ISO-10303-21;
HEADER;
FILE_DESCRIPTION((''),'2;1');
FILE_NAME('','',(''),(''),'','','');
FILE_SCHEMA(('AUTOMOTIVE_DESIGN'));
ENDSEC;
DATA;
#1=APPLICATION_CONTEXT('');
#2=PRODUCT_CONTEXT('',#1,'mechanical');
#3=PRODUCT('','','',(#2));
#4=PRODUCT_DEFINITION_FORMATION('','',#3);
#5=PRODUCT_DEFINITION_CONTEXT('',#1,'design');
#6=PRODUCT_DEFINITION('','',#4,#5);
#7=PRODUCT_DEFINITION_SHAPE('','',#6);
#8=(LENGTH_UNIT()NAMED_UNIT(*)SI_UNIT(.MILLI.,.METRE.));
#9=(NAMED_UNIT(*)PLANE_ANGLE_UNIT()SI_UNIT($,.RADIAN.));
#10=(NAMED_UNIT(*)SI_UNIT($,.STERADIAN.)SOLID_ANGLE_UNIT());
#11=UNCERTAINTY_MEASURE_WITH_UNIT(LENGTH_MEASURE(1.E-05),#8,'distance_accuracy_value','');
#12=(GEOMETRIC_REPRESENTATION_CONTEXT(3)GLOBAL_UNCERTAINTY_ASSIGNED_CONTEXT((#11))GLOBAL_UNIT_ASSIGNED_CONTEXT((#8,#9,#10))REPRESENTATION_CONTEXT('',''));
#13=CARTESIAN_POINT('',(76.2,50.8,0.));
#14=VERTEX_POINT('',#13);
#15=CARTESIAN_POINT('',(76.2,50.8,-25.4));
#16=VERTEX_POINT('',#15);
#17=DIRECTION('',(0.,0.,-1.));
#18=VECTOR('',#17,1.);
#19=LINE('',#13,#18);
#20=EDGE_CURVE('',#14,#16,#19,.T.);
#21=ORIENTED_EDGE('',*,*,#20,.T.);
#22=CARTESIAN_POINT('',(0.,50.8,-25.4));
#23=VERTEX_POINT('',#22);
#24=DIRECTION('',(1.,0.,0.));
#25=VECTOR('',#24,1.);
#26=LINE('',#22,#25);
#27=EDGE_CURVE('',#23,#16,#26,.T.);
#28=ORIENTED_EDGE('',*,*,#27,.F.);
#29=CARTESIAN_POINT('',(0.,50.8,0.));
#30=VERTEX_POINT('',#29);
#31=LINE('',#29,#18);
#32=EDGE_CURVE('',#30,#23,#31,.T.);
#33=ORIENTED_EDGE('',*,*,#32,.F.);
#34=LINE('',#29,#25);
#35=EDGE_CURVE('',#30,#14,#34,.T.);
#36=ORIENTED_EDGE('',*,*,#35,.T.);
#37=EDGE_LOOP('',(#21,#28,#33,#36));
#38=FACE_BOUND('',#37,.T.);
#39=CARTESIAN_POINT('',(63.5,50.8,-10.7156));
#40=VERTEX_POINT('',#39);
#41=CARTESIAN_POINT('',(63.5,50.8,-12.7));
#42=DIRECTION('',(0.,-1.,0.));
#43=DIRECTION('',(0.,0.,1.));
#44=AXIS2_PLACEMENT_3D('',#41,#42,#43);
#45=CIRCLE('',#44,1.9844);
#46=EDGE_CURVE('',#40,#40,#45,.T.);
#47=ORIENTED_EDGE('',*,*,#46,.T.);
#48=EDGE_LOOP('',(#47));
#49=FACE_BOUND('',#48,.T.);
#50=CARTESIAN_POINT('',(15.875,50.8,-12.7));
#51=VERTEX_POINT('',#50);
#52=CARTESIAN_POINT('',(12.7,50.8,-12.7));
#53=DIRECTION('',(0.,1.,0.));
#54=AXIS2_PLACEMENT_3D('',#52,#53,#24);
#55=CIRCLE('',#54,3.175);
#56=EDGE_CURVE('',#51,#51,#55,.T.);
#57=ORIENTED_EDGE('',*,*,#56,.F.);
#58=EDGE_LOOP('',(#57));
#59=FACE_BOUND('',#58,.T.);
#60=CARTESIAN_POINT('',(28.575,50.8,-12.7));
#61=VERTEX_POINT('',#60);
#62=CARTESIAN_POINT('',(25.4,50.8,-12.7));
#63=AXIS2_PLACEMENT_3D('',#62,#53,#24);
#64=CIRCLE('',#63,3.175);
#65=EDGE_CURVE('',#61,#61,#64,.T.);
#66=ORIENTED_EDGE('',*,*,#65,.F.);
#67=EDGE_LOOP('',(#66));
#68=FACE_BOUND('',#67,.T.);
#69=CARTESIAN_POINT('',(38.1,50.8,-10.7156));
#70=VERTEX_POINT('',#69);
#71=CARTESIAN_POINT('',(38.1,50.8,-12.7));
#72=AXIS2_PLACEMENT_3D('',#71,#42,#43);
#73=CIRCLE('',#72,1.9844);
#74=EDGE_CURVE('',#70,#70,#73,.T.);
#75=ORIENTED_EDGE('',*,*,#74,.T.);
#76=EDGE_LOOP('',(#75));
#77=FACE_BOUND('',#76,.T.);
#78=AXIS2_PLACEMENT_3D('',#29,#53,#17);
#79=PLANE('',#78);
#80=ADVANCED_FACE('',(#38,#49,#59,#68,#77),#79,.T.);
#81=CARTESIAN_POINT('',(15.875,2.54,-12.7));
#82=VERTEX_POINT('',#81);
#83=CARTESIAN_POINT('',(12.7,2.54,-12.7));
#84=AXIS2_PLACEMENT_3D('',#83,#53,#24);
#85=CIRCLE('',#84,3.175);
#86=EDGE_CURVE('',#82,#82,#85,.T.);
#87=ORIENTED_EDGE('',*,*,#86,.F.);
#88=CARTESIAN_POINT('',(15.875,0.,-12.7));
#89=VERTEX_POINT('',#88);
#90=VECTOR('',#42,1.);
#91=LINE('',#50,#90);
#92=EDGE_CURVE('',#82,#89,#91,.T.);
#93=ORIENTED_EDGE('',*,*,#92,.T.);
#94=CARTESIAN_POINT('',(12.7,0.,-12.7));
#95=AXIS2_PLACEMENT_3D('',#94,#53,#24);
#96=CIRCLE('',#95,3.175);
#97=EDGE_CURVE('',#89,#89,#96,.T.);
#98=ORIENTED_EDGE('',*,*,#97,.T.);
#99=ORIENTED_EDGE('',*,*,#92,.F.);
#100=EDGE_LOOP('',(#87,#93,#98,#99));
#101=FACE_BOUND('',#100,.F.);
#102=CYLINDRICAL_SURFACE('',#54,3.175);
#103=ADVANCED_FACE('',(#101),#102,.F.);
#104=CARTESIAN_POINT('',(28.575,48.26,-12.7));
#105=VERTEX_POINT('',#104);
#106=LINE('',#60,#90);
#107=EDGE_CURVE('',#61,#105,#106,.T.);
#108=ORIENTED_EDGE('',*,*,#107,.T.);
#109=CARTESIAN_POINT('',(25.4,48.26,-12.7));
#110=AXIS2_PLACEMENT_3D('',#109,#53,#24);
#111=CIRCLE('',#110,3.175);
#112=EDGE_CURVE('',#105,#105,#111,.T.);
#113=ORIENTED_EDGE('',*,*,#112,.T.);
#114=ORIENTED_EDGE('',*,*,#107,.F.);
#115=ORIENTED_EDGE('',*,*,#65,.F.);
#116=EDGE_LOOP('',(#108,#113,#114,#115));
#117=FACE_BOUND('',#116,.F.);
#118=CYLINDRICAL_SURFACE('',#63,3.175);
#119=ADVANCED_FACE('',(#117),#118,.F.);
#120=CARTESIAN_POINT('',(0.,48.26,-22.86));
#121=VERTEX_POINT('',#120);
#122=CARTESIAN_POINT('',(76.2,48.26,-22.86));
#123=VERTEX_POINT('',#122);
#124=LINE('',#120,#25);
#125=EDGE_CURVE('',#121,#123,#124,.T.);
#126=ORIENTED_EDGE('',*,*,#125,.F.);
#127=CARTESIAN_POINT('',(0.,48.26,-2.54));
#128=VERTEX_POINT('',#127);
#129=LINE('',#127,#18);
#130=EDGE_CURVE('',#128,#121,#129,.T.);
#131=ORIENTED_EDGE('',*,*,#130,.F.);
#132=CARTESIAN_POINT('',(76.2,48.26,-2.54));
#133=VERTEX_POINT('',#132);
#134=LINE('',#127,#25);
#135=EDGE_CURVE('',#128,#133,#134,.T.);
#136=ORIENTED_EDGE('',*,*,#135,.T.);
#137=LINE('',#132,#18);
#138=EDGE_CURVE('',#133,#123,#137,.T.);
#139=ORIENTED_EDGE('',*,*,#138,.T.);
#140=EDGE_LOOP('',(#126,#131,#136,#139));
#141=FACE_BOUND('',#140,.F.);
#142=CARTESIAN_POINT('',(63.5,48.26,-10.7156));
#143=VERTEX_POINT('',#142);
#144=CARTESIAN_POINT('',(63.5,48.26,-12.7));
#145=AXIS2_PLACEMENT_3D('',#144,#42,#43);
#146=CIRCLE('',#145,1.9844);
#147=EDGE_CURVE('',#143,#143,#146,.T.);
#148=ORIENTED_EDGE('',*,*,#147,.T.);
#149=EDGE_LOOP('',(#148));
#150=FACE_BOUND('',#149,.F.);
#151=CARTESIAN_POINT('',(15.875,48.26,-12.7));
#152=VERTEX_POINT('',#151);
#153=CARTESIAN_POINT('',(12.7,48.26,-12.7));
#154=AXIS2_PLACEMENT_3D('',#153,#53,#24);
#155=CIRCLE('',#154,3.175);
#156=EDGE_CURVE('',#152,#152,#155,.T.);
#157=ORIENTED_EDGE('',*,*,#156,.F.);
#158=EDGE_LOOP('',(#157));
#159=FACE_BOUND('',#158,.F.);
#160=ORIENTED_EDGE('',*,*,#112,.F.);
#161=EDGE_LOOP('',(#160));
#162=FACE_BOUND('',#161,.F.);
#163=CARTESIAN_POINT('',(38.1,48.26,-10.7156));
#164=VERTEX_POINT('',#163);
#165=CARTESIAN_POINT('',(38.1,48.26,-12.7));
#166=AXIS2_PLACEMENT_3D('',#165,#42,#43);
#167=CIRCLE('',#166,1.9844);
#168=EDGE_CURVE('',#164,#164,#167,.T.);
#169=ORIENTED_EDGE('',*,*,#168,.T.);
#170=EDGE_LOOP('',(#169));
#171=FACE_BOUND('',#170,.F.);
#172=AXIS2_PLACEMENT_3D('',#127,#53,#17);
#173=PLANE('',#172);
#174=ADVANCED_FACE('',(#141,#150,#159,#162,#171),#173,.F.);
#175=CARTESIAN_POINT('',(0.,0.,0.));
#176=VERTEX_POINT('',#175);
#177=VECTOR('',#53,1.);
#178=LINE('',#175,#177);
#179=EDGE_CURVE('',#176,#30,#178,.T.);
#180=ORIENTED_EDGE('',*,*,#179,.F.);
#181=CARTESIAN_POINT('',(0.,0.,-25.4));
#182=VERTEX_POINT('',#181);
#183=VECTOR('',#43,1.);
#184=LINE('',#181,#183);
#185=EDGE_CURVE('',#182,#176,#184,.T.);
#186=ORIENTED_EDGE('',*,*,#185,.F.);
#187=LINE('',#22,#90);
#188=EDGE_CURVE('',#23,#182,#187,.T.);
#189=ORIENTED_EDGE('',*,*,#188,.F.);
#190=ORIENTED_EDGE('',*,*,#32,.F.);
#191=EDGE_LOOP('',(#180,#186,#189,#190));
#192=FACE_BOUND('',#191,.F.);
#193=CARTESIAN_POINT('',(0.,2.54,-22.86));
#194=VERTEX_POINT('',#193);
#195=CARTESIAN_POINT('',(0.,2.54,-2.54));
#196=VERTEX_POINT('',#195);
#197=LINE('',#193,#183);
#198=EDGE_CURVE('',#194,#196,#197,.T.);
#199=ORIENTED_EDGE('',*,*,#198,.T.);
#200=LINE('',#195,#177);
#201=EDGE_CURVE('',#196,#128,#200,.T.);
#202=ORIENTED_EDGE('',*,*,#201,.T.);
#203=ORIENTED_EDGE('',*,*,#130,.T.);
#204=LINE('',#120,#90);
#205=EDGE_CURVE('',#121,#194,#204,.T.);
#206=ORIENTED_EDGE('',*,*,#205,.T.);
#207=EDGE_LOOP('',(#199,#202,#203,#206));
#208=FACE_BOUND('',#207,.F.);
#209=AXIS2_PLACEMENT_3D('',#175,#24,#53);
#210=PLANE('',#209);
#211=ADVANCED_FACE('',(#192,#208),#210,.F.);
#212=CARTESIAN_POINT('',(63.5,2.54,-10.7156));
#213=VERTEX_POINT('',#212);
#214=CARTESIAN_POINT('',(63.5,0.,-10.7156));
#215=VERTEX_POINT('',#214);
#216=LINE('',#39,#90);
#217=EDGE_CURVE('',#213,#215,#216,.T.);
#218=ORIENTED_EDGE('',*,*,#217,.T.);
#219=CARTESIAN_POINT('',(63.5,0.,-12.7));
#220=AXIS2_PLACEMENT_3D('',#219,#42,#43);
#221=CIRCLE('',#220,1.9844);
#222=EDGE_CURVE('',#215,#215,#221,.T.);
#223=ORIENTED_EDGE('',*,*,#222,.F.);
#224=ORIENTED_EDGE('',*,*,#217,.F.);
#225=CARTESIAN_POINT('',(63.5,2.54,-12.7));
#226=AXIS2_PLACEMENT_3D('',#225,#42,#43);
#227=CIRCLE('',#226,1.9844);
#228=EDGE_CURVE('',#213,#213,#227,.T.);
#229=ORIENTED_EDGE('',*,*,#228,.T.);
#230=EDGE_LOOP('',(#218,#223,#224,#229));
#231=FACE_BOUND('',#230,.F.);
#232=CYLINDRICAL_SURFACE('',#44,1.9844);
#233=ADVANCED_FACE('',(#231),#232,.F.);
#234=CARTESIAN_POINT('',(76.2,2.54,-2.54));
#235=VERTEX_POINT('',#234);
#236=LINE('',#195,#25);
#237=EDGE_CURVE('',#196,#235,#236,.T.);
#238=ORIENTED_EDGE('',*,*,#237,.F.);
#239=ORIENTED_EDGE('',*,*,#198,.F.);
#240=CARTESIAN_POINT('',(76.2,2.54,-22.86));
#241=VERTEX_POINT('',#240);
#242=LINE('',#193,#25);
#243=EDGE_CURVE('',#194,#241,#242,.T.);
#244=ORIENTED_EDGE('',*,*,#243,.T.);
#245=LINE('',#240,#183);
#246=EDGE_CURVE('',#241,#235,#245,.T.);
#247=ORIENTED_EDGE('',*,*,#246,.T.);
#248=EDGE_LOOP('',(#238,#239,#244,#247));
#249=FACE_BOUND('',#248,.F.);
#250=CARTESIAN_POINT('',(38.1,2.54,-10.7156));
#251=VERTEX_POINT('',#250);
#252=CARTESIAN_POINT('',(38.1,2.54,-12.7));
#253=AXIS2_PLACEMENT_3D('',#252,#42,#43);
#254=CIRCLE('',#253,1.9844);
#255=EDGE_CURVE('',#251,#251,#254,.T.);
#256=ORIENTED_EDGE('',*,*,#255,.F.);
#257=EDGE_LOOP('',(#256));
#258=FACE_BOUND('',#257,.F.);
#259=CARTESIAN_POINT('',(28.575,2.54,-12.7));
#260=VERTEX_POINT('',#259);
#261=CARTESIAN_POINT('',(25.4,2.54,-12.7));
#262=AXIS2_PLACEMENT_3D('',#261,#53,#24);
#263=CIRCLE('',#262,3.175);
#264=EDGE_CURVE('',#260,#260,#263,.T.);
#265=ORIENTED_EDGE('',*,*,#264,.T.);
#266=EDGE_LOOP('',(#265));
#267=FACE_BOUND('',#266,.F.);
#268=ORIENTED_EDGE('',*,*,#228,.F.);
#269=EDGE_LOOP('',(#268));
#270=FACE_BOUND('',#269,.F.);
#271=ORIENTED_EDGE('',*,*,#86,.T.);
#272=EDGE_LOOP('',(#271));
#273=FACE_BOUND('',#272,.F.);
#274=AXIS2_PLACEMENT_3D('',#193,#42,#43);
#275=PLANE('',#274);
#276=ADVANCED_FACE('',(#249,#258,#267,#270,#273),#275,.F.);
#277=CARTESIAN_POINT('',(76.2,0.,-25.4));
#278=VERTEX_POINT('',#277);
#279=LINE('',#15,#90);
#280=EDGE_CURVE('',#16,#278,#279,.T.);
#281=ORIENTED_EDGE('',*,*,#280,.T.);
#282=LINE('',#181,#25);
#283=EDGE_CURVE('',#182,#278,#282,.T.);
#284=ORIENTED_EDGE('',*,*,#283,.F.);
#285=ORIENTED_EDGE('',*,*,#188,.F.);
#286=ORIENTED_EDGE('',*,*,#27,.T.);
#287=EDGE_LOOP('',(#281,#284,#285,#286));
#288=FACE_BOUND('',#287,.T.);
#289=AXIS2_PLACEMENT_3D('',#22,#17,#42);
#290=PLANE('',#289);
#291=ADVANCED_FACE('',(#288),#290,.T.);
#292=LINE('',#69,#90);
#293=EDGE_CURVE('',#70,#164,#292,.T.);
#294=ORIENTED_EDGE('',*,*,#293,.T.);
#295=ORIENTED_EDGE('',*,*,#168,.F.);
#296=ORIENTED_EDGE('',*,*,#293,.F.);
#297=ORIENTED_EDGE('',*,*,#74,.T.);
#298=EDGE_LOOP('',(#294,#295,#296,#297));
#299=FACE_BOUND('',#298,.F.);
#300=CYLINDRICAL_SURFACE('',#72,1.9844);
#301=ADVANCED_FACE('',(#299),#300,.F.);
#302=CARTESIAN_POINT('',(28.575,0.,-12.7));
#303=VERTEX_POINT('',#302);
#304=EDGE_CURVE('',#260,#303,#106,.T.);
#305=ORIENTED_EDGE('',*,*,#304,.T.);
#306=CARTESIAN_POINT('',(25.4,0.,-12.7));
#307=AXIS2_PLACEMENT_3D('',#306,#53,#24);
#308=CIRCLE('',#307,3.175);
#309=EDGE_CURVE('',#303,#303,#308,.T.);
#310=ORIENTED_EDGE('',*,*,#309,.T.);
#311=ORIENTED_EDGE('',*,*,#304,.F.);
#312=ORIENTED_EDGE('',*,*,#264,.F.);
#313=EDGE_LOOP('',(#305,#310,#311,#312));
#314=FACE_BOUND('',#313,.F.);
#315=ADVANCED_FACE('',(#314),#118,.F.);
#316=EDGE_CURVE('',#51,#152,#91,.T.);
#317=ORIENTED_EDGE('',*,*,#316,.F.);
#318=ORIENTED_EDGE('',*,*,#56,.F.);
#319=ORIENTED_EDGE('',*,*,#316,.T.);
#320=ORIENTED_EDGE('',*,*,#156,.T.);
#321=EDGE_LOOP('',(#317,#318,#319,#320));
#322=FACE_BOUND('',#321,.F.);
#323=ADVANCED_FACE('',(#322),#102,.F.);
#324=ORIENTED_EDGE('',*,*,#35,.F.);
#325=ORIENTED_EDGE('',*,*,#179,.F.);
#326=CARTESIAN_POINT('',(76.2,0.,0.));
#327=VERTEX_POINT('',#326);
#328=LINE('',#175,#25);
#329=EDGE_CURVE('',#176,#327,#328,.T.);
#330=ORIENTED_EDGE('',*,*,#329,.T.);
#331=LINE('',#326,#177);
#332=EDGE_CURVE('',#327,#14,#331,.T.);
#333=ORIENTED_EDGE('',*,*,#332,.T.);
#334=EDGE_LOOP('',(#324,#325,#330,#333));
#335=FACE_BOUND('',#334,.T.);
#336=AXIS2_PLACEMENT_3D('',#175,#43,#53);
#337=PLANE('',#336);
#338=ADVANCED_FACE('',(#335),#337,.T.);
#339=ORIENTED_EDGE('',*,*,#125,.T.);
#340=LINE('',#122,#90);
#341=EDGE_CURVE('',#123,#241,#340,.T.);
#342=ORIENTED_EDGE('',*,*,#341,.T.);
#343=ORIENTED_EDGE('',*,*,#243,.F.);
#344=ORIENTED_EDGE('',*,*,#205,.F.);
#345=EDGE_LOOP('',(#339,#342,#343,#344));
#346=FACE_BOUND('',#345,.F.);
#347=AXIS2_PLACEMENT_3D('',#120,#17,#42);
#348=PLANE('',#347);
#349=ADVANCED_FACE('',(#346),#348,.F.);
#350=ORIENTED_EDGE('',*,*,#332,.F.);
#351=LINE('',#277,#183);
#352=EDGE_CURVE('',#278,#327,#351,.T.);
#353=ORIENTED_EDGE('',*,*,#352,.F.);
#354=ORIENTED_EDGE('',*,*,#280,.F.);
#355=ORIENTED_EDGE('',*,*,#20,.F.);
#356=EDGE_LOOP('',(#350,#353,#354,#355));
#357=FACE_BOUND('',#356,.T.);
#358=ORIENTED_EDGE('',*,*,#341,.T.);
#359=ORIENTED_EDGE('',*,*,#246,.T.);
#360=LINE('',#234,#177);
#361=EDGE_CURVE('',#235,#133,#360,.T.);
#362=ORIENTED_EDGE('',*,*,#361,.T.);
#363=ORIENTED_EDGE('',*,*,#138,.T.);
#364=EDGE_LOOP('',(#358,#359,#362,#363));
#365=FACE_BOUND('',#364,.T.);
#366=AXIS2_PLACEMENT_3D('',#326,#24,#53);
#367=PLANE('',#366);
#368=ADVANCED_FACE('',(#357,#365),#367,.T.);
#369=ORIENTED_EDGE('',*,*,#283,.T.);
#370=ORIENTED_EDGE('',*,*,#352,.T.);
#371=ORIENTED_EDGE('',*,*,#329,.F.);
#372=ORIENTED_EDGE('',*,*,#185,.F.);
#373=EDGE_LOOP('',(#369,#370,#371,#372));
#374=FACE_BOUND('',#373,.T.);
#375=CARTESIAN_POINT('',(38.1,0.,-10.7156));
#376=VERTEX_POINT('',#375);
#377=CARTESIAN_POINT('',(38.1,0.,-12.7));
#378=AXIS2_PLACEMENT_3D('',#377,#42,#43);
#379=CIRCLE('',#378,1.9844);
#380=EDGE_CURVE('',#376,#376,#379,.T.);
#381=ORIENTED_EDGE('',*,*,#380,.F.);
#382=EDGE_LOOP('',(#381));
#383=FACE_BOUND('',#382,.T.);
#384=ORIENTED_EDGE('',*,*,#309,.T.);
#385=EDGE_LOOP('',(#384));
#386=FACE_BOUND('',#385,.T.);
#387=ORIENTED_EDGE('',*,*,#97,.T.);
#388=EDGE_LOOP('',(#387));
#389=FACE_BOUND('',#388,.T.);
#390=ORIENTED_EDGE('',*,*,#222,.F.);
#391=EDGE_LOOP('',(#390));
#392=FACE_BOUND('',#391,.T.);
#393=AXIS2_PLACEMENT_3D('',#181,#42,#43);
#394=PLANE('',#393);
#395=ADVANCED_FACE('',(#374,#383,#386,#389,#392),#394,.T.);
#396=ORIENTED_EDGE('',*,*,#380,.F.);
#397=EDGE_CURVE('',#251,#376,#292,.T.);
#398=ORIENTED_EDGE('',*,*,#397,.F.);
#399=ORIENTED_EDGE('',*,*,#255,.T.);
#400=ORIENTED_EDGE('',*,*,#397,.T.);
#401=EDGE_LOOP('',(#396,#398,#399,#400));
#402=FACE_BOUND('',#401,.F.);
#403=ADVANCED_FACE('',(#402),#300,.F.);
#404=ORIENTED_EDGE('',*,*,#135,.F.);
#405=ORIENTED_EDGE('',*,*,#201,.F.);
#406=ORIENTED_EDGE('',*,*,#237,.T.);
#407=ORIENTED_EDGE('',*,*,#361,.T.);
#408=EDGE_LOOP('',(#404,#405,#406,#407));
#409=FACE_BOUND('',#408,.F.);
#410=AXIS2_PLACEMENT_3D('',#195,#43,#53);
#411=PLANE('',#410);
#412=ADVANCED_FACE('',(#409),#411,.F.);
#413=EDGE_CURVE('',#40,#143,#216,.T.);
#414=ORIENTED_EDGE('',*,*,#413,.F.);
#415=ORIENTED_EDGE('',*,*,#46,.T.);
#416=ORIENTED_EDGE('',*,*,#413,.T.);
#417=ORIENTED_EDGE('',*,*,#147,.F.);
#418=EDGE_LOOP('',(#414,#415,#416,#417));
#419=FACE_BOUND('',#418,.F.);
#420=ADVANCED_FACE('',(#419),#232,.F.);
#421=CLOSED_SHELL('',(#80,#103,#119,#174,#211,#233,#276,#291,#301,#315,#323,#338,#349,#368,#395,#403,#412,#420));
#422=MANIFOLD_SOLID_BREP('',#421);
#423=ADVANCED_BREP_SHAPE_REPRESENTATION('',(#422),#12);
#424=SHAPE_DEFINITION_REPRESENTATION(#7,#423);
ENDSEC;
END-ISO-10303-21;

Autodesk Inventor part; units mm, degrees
ref_plane "YZ Plane" through (0, 0, 0) normal (1, 0, 0) x (0, 1, 0)
ref_plane "XZ Plane" through (0, 0, 0) normal (0, 1, 0) x (-1, 0, 0)
ref_plane "XY Plane" through (0, 0, 0) normal (0, 0, 1) x (1, 0, 0)
sketch "Sketch1" plane through (0, 0, 0) normal (1, 0, 0) x (0, 1, 0)
  line L0 (0, 0) -> (50.8, 0)
  line L1 (50.8, 0) -> (50.8, -25.4)
  line L2 (50.8, -25.4) -> (0, -25.4)
  line L3 (0, -25.4) -> (0, 0)
  line L4 (2.54, -2.54) -> (48.26, -2.54)
  line L5 (48.26, -2.54) -> (48.26, -22.86)
  line L6 (48.26, -22.86) -> (2.54, -22.86)
  line L7 (2.54, -22.86) -> (2.54, -2.54)
  dimension "d0" = 50.8
  dimension "d1" = 25.4
  dimension "d2" = 45.72
  dimension "d3" = 20.32
  dimension "d4" = 2.54
  dimension "d5" = 2.54
extrude "Extrusion1" add sketch "Sketch1" along normal blind 76.2
sketch "Sketch2" plane through (0, 50.8, 0) normal (0, 1, 0) x (1, 0, 0)
  line L0 (0, 0) -> (0, 25.4) projected
  line L1 (0, 0) -> (76.2, 0) projected
  line L2 (76.2, 25.4) -> (76.2, 0) projected
  line L3 (0, 25.4) -> (76.2, 25.4) projected
  point P0 (12.7, 12.7)
  point P1 (38.1, 12.7)
  point P2 (63.5, 12.7)
  dimension "d8" = 12.7
  dimension "d9" = 12.7
  dimension "d10" = 12.7
  dimension "d11" = 12.7
  dimension "d12" = 38.1
  dimension "d13" = 63.5
hole "Hole1" at (12.7, 50.8, -12.7) at (38.1, 50.8, -12.7) at (63.5, 50.8, -12.7) direction (0, -1, 0) diameter 3.9688 end through all
sketch "Sketch4" plane through (0, 50.8, 0) normal (0, 1, 0) x (1, 0, 0)
  circle A0 centre (38.1, 12.7) radius 1.9844 projected
  circle A1 centre (12.7, 12.7) radius 1.9844 projected
  circle A2 centre (63.5, 12.7) radius 1.9844 projected
  line L0 (0, 0) -> (0, 25.4) projected
  line L1 (0, 0) -> (76.2, 0) projected
  line L2 (76.2, 25.4) -> (76.2, 0) projected
  line L3 (0, 25.4) -> (76.2, 25.4) projected
  circle A3 centre (25.4, 12.7) radius 3.175
  circle A4 centre (12.7, 12.7) radius 3.175
  dimension "d25" = 12.7
  dimension "d26" = 25.4
  dimension "d27" = 6.35
  dimension "d28" = 6.35
extrude "Extrusion3" cut sketch "Sketch4" against normal blind 50.8 contours A3 | A4
properties part number "frame_side"
